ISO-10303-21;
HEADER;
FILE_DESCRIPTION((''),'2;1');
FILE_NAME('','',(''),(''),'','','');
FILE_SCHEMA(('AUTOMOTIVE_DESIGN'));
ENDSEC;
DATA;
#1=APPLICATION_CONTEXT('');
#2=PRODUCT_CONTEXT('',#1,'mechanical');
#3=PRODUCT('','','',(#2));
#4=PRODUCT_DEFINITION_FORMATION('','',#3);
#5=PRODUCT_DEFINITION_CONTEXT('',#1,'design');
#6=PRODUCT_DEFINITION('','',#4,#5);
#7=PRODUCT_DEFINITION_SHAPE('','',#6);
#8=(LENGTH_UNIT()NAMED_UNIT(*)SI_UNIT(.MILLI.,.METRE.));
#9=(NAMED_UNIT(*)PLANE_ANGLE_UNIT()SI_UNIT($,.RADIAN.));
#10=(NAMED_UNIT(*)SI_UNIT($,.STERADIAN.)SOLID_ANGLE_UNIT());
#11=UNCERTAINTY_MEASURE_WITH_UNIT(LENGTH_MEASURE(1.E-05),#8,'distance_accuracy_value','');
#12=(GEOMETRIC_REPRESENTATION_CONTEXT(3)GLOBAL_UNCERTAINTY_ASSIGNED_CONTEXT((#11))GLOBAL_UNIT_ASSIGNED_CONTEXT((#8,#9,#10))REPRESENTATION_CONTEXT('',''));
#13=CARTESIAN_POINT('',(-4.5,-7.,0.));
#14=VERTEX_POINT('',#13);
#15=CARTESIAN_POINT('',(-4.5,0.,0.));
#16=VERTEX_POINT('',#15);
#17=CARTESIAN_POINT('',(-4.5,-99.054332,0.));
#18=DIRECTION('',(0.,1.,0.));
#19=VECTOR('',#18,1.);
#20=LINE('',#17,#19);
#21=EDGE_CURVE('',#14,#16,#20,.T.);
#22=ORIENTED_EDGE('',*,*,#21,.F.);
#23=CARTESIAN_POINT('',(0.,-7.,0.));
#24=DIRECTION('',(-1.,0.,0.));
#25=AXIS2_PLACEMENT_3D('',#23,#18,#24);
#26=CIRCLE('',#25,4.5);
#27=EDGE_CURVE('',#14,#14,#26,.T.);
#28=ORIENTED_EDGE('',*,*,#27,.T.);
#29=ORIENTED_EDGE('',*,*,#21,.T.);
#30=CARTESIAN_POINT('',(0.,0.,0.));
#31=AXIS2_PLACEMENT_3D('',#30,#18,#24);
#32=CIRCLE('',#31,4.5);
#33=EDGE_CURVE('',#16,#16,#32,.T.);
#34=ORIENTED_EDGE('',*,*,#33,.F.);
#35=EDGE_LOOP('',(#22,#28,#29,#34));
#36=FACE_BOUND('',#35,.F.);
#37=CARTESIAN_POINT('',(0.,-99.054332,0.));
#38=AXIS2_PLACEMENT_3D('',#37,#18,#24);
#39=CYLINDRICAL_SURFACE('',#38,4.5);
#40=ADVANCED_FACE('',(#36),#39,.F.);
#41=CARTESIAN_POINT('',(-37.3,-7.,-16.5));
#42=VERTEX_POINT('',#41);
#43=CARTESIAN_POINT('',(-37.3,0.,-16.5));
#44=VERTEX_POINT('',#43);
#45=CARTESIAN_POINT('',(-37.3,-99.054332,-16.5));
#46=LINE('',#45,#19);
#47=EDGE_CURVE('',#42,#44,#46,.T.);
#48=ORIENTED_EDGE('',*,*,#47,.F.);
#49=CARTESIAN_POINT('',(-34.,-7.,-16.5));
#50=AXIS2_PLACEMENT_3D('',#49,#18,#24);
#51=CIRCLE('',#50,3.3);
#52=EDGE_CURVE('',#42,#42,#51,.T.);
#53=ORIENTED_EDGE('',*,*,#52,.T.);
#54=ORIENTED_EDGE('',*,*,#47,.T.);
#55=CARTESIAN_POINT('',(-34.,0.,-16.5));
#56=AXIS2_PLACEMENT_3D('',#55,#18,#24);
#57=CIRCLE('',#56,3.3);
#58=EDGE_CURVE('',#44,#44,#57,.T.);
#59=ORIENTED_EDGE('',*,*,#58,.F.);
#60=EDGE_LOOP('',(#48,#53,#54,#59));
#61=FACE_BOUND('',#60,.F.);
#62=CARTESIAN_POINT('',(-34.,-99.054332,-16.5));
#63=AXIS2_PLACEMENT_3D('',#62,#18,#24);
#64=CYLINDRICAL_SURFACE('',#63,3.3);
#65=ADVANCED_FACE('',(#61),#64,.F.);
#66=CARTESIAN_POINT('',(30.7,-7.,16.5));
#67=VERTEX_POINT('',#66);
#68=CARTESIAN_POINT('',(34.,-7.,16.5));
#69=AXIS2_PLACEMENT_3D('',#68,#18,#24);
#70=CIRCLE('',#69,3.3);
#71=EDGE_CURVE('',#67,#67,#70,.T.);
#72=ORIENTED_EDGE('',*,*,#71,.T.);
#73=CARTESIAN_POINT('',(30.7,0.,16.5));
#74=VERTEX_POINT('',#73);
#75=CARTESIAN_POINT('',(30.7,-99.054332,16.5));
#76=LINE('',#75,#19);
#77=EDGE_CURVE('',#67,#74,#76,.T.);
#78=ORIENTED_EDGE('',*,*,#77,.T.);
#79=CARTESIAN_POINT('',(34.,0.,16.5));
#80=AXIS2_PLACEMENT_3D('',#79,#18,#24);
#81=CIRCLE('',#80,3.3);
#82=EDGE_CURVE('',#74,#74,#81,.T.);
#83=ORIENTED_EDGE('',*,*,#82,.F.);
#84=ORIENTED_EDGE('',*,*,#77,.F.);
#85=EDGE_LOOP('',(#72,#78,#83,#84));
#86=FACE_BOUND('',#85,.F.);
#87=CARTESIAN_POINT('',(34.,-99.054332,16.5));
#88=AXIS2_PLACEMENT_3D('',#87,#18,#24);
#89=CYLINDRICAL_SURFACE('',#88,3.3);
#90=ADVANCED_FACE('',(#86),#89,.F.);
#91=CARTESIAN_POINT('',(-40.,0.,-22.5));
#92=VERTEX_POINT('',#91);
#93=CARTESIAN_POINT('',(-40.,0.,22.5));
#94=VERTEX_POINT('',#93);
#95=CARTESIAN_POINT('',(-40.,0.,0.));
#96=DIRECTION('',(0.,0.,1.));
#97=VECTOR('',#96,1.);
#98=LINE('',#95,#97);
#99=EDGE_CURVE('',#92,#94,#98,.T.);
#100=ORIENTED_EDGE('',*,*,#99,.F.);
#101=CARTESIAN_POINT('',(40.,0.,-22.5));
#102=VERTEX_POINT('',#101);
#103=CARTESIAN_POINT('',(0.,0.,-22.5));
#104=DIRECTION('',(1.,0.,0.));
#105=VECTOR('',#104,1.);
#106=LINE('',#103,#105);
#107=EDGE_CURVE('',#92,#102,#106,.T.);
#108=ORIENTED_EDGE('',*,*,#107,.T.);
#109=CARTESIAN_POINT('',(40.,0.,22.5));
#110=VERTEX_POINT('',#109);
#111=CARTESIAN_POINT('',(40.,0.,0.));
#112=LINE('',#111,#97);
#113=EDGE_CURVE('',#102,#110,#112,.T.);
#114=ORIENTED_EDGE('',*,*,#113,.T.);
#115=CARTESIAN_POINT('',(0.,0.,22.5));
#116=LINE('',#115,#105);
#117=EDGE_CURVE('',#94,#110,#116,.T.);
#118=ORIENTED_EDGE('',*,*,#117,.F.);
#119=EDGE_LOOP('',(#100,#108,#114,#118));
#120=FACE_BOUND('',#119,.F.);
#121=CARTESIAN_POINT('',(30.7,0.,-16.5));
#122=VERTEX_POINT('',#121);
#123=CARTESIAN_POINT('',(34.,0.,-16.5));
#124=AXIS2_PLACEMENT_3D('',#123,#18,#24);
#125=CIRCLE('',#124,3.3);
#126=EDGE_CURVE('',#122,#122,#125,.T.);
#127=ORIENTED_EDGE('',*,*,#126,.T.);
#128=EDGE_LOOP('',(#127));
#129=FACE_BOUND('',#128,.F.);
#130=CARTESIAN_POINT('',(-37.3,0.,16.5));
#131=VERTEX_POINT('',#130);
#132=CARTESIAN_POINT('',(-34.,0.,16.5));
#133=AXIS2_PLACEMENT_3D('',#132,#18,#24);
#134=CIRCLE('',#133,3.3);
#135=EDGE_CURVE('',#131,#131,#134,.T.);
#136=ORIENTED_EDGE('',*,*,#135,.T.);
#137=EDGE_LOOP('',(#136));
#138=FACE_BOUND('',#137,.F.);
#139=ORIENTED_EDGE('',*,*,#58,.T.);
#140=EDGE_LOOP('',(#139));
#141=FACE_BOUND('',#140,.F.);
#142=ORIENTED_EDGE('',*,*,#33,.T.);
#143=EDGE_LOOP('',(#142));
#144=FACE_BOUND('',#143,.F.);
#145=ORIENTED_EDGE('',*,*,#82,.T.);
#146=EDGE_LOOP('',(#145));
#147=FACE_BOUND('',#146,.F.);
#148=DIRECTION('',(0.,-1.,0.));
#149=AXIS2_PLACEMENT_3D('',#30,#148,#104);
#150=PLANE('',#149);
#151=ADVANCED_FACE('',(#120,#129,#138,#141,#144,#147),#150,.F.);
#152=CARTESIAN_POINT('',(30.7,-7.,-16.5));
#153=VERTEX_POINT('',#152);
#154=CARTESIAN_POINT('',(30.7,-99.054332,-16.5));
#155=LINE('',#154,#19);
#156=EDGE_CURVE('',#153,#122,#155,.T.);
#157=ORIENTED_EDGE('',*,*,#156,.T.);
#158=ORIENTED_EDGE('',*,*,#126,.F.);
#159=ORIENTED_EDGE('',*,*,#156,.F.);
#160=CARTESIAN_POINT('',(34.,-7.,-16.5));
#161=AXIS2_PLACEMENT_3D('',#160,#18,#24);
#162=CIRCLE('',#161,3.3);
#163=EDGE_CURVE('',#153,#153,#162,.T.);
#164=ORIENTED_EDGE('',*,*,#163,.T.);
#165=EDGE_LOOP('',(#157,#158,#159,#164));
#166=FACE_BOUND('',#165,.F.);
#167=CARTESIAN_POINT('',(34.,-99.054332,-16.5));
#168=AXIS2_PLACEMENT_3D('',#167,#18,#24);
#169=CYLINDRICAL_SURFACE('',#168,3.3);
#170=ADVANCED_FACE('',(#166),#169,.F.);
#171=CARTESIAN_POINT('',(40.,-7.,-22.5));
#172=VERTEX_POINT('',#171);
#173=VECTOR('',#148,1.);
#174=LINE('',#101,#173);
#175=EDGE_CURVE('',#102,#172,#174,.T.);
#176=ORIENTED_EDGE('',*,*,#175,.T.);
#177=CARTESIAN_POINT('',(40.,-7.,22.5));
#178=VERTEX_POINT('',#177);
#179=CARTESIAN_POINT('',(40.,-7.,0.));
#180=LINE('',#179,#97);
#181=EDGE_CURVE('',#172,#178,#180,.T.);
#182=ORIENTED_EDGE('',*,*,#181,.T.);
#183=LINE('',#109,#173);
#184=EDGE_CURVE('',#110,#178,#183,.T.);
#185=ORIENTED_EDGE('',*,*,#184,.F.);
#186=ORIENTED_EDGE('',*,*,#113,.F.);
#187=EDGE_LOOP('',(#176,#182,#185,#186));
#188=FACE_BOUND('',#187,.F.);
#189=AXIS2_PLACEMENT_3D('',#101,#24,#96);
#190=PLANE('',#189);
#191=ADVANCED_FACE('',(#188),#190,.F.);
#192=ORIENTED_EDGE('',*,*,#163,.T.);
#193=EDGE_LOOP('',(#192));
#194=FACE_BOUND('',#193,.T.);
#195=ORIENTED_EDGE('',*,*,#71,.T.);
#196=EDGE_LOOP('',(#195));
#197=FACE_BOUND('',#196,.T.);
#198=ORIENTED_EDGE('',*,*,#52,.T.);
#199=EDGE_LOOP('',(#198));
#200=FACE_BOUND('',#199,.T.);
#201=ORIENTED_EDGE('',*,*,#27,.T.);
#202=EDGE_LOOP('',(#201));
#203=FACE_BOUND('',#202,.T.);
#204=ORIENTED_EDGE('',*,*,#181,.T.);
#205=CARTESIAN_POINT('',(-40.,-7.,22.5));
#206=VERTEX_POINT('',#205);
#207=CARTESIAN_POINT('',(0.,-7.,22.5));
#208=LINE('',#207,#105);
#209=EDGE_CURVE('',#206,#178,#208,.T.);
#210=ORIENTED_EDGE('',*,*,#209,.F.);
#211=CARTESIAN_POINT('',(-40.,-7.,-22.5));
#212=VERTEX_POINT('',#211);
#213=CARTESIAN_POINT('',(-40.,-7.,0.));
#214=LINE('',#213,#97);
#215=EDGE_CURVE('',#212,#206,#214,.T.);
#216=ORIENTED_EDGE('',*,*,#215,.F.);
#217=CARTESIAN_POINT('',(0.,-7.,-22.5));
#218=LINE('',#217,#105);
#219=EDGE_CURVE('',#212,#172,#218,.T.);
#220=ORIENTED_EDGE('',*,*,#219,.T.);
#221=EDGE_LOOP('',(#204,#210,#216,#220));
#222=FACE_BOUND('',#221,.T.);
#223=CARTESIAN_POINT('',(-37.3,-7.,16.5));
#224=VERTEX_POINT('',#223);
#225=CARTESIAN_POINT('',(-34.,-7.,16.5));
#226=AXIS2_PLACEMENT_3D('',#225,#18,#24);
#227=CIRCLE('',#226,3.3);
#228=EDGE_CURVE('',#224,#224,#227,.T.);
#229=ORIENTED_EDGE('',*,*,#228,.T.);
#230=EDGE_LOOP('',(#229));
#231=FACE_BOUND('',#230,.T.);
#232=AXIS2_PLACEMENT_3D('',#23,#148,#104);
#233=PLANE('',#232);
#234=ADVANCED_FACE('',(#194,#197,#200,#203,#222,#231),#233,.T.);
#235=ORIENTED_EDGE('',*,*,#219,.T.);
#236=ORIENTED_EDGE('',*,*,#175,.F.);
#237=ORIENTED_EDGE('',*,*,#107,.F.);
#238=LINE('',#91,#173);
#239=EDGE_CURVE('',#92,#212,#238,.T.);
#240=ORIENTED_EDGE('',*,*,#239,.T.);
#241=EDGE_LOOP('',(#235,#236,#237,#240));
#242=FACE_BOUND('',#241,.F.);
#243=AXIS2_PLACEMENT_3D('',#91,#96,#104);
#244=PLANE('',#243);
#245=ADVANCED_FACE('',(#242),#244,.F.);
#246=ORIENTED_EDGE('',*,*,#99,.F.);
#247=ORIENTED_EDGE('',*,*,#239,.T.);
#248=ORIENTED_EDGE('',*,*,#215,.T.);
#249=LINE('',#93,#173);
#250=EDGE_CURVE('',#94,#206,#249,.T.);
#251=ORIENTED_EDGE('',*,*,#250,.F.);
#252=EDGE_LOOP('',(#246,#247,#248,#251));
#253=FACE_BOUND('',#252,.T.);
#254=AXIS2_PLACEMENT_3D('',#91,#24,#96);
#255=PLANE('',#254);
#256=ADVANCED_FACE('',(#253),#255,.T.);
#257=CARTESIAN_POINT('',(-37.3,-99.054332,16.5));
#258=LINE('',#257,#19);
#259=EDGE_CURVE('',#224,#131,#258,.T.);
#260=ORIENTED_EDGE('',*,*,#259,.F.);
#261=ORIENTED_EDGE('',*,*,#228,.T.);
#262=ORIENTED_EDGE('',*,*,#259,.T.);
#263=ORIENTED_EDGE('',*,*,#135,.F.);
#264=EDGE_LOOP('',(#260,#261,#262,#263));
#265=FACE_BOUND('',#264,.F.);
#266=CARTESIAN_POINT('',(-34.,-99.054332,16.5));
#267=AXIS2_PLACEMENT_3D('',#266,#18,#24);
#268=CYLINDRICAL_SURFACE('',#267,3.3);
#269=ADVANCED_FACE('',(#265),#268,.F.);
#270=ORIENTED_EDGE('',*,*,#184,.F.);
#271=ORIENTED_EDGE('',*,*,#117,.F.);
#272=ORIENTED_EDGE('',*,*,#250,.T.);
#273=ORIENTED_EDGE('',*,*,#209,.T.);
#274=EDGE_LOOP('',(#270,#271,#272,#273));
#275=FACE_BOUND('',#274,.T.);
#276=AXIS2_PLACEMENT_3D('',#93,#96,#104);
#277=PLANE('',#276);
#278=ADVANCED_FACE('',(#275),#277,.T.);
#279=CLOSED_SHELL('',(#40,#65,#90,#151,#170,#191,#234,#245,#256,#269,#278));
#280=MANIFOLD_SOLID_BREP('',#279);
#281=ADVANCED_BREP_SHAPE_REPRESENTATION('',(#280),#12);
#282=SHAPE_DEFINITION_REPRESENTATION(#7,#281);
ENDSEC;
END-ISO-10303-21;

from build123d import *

# Parameters (mm, degrees)
F0_W     = 80
F0_H     = 45
F1_DEPTH = 7
F3_D     = 6.6
F5_D     = 9


with BuildPart() as f1:
    # F0 (on Front) → F1 (new body)
    with BuildSketch(Plane.XZ):
        Rectangle(F0_W, F0_H)
    extrude(amount=F1_DEPTH)

    # F3 (through all)
    with Locations(Plane.XZ.offset(7)):
        with Locations((-34, 16.5), (-34, -16.5), (34, -16.5), (34, 16.5)):
            Hole(F3_D / 2)

    # F5 (through all)
    with Locations(Plane.XZ.offset(7)):
        with Locations((0, 0)):
            Hole(F5_D / 2)


solid = f1.part
